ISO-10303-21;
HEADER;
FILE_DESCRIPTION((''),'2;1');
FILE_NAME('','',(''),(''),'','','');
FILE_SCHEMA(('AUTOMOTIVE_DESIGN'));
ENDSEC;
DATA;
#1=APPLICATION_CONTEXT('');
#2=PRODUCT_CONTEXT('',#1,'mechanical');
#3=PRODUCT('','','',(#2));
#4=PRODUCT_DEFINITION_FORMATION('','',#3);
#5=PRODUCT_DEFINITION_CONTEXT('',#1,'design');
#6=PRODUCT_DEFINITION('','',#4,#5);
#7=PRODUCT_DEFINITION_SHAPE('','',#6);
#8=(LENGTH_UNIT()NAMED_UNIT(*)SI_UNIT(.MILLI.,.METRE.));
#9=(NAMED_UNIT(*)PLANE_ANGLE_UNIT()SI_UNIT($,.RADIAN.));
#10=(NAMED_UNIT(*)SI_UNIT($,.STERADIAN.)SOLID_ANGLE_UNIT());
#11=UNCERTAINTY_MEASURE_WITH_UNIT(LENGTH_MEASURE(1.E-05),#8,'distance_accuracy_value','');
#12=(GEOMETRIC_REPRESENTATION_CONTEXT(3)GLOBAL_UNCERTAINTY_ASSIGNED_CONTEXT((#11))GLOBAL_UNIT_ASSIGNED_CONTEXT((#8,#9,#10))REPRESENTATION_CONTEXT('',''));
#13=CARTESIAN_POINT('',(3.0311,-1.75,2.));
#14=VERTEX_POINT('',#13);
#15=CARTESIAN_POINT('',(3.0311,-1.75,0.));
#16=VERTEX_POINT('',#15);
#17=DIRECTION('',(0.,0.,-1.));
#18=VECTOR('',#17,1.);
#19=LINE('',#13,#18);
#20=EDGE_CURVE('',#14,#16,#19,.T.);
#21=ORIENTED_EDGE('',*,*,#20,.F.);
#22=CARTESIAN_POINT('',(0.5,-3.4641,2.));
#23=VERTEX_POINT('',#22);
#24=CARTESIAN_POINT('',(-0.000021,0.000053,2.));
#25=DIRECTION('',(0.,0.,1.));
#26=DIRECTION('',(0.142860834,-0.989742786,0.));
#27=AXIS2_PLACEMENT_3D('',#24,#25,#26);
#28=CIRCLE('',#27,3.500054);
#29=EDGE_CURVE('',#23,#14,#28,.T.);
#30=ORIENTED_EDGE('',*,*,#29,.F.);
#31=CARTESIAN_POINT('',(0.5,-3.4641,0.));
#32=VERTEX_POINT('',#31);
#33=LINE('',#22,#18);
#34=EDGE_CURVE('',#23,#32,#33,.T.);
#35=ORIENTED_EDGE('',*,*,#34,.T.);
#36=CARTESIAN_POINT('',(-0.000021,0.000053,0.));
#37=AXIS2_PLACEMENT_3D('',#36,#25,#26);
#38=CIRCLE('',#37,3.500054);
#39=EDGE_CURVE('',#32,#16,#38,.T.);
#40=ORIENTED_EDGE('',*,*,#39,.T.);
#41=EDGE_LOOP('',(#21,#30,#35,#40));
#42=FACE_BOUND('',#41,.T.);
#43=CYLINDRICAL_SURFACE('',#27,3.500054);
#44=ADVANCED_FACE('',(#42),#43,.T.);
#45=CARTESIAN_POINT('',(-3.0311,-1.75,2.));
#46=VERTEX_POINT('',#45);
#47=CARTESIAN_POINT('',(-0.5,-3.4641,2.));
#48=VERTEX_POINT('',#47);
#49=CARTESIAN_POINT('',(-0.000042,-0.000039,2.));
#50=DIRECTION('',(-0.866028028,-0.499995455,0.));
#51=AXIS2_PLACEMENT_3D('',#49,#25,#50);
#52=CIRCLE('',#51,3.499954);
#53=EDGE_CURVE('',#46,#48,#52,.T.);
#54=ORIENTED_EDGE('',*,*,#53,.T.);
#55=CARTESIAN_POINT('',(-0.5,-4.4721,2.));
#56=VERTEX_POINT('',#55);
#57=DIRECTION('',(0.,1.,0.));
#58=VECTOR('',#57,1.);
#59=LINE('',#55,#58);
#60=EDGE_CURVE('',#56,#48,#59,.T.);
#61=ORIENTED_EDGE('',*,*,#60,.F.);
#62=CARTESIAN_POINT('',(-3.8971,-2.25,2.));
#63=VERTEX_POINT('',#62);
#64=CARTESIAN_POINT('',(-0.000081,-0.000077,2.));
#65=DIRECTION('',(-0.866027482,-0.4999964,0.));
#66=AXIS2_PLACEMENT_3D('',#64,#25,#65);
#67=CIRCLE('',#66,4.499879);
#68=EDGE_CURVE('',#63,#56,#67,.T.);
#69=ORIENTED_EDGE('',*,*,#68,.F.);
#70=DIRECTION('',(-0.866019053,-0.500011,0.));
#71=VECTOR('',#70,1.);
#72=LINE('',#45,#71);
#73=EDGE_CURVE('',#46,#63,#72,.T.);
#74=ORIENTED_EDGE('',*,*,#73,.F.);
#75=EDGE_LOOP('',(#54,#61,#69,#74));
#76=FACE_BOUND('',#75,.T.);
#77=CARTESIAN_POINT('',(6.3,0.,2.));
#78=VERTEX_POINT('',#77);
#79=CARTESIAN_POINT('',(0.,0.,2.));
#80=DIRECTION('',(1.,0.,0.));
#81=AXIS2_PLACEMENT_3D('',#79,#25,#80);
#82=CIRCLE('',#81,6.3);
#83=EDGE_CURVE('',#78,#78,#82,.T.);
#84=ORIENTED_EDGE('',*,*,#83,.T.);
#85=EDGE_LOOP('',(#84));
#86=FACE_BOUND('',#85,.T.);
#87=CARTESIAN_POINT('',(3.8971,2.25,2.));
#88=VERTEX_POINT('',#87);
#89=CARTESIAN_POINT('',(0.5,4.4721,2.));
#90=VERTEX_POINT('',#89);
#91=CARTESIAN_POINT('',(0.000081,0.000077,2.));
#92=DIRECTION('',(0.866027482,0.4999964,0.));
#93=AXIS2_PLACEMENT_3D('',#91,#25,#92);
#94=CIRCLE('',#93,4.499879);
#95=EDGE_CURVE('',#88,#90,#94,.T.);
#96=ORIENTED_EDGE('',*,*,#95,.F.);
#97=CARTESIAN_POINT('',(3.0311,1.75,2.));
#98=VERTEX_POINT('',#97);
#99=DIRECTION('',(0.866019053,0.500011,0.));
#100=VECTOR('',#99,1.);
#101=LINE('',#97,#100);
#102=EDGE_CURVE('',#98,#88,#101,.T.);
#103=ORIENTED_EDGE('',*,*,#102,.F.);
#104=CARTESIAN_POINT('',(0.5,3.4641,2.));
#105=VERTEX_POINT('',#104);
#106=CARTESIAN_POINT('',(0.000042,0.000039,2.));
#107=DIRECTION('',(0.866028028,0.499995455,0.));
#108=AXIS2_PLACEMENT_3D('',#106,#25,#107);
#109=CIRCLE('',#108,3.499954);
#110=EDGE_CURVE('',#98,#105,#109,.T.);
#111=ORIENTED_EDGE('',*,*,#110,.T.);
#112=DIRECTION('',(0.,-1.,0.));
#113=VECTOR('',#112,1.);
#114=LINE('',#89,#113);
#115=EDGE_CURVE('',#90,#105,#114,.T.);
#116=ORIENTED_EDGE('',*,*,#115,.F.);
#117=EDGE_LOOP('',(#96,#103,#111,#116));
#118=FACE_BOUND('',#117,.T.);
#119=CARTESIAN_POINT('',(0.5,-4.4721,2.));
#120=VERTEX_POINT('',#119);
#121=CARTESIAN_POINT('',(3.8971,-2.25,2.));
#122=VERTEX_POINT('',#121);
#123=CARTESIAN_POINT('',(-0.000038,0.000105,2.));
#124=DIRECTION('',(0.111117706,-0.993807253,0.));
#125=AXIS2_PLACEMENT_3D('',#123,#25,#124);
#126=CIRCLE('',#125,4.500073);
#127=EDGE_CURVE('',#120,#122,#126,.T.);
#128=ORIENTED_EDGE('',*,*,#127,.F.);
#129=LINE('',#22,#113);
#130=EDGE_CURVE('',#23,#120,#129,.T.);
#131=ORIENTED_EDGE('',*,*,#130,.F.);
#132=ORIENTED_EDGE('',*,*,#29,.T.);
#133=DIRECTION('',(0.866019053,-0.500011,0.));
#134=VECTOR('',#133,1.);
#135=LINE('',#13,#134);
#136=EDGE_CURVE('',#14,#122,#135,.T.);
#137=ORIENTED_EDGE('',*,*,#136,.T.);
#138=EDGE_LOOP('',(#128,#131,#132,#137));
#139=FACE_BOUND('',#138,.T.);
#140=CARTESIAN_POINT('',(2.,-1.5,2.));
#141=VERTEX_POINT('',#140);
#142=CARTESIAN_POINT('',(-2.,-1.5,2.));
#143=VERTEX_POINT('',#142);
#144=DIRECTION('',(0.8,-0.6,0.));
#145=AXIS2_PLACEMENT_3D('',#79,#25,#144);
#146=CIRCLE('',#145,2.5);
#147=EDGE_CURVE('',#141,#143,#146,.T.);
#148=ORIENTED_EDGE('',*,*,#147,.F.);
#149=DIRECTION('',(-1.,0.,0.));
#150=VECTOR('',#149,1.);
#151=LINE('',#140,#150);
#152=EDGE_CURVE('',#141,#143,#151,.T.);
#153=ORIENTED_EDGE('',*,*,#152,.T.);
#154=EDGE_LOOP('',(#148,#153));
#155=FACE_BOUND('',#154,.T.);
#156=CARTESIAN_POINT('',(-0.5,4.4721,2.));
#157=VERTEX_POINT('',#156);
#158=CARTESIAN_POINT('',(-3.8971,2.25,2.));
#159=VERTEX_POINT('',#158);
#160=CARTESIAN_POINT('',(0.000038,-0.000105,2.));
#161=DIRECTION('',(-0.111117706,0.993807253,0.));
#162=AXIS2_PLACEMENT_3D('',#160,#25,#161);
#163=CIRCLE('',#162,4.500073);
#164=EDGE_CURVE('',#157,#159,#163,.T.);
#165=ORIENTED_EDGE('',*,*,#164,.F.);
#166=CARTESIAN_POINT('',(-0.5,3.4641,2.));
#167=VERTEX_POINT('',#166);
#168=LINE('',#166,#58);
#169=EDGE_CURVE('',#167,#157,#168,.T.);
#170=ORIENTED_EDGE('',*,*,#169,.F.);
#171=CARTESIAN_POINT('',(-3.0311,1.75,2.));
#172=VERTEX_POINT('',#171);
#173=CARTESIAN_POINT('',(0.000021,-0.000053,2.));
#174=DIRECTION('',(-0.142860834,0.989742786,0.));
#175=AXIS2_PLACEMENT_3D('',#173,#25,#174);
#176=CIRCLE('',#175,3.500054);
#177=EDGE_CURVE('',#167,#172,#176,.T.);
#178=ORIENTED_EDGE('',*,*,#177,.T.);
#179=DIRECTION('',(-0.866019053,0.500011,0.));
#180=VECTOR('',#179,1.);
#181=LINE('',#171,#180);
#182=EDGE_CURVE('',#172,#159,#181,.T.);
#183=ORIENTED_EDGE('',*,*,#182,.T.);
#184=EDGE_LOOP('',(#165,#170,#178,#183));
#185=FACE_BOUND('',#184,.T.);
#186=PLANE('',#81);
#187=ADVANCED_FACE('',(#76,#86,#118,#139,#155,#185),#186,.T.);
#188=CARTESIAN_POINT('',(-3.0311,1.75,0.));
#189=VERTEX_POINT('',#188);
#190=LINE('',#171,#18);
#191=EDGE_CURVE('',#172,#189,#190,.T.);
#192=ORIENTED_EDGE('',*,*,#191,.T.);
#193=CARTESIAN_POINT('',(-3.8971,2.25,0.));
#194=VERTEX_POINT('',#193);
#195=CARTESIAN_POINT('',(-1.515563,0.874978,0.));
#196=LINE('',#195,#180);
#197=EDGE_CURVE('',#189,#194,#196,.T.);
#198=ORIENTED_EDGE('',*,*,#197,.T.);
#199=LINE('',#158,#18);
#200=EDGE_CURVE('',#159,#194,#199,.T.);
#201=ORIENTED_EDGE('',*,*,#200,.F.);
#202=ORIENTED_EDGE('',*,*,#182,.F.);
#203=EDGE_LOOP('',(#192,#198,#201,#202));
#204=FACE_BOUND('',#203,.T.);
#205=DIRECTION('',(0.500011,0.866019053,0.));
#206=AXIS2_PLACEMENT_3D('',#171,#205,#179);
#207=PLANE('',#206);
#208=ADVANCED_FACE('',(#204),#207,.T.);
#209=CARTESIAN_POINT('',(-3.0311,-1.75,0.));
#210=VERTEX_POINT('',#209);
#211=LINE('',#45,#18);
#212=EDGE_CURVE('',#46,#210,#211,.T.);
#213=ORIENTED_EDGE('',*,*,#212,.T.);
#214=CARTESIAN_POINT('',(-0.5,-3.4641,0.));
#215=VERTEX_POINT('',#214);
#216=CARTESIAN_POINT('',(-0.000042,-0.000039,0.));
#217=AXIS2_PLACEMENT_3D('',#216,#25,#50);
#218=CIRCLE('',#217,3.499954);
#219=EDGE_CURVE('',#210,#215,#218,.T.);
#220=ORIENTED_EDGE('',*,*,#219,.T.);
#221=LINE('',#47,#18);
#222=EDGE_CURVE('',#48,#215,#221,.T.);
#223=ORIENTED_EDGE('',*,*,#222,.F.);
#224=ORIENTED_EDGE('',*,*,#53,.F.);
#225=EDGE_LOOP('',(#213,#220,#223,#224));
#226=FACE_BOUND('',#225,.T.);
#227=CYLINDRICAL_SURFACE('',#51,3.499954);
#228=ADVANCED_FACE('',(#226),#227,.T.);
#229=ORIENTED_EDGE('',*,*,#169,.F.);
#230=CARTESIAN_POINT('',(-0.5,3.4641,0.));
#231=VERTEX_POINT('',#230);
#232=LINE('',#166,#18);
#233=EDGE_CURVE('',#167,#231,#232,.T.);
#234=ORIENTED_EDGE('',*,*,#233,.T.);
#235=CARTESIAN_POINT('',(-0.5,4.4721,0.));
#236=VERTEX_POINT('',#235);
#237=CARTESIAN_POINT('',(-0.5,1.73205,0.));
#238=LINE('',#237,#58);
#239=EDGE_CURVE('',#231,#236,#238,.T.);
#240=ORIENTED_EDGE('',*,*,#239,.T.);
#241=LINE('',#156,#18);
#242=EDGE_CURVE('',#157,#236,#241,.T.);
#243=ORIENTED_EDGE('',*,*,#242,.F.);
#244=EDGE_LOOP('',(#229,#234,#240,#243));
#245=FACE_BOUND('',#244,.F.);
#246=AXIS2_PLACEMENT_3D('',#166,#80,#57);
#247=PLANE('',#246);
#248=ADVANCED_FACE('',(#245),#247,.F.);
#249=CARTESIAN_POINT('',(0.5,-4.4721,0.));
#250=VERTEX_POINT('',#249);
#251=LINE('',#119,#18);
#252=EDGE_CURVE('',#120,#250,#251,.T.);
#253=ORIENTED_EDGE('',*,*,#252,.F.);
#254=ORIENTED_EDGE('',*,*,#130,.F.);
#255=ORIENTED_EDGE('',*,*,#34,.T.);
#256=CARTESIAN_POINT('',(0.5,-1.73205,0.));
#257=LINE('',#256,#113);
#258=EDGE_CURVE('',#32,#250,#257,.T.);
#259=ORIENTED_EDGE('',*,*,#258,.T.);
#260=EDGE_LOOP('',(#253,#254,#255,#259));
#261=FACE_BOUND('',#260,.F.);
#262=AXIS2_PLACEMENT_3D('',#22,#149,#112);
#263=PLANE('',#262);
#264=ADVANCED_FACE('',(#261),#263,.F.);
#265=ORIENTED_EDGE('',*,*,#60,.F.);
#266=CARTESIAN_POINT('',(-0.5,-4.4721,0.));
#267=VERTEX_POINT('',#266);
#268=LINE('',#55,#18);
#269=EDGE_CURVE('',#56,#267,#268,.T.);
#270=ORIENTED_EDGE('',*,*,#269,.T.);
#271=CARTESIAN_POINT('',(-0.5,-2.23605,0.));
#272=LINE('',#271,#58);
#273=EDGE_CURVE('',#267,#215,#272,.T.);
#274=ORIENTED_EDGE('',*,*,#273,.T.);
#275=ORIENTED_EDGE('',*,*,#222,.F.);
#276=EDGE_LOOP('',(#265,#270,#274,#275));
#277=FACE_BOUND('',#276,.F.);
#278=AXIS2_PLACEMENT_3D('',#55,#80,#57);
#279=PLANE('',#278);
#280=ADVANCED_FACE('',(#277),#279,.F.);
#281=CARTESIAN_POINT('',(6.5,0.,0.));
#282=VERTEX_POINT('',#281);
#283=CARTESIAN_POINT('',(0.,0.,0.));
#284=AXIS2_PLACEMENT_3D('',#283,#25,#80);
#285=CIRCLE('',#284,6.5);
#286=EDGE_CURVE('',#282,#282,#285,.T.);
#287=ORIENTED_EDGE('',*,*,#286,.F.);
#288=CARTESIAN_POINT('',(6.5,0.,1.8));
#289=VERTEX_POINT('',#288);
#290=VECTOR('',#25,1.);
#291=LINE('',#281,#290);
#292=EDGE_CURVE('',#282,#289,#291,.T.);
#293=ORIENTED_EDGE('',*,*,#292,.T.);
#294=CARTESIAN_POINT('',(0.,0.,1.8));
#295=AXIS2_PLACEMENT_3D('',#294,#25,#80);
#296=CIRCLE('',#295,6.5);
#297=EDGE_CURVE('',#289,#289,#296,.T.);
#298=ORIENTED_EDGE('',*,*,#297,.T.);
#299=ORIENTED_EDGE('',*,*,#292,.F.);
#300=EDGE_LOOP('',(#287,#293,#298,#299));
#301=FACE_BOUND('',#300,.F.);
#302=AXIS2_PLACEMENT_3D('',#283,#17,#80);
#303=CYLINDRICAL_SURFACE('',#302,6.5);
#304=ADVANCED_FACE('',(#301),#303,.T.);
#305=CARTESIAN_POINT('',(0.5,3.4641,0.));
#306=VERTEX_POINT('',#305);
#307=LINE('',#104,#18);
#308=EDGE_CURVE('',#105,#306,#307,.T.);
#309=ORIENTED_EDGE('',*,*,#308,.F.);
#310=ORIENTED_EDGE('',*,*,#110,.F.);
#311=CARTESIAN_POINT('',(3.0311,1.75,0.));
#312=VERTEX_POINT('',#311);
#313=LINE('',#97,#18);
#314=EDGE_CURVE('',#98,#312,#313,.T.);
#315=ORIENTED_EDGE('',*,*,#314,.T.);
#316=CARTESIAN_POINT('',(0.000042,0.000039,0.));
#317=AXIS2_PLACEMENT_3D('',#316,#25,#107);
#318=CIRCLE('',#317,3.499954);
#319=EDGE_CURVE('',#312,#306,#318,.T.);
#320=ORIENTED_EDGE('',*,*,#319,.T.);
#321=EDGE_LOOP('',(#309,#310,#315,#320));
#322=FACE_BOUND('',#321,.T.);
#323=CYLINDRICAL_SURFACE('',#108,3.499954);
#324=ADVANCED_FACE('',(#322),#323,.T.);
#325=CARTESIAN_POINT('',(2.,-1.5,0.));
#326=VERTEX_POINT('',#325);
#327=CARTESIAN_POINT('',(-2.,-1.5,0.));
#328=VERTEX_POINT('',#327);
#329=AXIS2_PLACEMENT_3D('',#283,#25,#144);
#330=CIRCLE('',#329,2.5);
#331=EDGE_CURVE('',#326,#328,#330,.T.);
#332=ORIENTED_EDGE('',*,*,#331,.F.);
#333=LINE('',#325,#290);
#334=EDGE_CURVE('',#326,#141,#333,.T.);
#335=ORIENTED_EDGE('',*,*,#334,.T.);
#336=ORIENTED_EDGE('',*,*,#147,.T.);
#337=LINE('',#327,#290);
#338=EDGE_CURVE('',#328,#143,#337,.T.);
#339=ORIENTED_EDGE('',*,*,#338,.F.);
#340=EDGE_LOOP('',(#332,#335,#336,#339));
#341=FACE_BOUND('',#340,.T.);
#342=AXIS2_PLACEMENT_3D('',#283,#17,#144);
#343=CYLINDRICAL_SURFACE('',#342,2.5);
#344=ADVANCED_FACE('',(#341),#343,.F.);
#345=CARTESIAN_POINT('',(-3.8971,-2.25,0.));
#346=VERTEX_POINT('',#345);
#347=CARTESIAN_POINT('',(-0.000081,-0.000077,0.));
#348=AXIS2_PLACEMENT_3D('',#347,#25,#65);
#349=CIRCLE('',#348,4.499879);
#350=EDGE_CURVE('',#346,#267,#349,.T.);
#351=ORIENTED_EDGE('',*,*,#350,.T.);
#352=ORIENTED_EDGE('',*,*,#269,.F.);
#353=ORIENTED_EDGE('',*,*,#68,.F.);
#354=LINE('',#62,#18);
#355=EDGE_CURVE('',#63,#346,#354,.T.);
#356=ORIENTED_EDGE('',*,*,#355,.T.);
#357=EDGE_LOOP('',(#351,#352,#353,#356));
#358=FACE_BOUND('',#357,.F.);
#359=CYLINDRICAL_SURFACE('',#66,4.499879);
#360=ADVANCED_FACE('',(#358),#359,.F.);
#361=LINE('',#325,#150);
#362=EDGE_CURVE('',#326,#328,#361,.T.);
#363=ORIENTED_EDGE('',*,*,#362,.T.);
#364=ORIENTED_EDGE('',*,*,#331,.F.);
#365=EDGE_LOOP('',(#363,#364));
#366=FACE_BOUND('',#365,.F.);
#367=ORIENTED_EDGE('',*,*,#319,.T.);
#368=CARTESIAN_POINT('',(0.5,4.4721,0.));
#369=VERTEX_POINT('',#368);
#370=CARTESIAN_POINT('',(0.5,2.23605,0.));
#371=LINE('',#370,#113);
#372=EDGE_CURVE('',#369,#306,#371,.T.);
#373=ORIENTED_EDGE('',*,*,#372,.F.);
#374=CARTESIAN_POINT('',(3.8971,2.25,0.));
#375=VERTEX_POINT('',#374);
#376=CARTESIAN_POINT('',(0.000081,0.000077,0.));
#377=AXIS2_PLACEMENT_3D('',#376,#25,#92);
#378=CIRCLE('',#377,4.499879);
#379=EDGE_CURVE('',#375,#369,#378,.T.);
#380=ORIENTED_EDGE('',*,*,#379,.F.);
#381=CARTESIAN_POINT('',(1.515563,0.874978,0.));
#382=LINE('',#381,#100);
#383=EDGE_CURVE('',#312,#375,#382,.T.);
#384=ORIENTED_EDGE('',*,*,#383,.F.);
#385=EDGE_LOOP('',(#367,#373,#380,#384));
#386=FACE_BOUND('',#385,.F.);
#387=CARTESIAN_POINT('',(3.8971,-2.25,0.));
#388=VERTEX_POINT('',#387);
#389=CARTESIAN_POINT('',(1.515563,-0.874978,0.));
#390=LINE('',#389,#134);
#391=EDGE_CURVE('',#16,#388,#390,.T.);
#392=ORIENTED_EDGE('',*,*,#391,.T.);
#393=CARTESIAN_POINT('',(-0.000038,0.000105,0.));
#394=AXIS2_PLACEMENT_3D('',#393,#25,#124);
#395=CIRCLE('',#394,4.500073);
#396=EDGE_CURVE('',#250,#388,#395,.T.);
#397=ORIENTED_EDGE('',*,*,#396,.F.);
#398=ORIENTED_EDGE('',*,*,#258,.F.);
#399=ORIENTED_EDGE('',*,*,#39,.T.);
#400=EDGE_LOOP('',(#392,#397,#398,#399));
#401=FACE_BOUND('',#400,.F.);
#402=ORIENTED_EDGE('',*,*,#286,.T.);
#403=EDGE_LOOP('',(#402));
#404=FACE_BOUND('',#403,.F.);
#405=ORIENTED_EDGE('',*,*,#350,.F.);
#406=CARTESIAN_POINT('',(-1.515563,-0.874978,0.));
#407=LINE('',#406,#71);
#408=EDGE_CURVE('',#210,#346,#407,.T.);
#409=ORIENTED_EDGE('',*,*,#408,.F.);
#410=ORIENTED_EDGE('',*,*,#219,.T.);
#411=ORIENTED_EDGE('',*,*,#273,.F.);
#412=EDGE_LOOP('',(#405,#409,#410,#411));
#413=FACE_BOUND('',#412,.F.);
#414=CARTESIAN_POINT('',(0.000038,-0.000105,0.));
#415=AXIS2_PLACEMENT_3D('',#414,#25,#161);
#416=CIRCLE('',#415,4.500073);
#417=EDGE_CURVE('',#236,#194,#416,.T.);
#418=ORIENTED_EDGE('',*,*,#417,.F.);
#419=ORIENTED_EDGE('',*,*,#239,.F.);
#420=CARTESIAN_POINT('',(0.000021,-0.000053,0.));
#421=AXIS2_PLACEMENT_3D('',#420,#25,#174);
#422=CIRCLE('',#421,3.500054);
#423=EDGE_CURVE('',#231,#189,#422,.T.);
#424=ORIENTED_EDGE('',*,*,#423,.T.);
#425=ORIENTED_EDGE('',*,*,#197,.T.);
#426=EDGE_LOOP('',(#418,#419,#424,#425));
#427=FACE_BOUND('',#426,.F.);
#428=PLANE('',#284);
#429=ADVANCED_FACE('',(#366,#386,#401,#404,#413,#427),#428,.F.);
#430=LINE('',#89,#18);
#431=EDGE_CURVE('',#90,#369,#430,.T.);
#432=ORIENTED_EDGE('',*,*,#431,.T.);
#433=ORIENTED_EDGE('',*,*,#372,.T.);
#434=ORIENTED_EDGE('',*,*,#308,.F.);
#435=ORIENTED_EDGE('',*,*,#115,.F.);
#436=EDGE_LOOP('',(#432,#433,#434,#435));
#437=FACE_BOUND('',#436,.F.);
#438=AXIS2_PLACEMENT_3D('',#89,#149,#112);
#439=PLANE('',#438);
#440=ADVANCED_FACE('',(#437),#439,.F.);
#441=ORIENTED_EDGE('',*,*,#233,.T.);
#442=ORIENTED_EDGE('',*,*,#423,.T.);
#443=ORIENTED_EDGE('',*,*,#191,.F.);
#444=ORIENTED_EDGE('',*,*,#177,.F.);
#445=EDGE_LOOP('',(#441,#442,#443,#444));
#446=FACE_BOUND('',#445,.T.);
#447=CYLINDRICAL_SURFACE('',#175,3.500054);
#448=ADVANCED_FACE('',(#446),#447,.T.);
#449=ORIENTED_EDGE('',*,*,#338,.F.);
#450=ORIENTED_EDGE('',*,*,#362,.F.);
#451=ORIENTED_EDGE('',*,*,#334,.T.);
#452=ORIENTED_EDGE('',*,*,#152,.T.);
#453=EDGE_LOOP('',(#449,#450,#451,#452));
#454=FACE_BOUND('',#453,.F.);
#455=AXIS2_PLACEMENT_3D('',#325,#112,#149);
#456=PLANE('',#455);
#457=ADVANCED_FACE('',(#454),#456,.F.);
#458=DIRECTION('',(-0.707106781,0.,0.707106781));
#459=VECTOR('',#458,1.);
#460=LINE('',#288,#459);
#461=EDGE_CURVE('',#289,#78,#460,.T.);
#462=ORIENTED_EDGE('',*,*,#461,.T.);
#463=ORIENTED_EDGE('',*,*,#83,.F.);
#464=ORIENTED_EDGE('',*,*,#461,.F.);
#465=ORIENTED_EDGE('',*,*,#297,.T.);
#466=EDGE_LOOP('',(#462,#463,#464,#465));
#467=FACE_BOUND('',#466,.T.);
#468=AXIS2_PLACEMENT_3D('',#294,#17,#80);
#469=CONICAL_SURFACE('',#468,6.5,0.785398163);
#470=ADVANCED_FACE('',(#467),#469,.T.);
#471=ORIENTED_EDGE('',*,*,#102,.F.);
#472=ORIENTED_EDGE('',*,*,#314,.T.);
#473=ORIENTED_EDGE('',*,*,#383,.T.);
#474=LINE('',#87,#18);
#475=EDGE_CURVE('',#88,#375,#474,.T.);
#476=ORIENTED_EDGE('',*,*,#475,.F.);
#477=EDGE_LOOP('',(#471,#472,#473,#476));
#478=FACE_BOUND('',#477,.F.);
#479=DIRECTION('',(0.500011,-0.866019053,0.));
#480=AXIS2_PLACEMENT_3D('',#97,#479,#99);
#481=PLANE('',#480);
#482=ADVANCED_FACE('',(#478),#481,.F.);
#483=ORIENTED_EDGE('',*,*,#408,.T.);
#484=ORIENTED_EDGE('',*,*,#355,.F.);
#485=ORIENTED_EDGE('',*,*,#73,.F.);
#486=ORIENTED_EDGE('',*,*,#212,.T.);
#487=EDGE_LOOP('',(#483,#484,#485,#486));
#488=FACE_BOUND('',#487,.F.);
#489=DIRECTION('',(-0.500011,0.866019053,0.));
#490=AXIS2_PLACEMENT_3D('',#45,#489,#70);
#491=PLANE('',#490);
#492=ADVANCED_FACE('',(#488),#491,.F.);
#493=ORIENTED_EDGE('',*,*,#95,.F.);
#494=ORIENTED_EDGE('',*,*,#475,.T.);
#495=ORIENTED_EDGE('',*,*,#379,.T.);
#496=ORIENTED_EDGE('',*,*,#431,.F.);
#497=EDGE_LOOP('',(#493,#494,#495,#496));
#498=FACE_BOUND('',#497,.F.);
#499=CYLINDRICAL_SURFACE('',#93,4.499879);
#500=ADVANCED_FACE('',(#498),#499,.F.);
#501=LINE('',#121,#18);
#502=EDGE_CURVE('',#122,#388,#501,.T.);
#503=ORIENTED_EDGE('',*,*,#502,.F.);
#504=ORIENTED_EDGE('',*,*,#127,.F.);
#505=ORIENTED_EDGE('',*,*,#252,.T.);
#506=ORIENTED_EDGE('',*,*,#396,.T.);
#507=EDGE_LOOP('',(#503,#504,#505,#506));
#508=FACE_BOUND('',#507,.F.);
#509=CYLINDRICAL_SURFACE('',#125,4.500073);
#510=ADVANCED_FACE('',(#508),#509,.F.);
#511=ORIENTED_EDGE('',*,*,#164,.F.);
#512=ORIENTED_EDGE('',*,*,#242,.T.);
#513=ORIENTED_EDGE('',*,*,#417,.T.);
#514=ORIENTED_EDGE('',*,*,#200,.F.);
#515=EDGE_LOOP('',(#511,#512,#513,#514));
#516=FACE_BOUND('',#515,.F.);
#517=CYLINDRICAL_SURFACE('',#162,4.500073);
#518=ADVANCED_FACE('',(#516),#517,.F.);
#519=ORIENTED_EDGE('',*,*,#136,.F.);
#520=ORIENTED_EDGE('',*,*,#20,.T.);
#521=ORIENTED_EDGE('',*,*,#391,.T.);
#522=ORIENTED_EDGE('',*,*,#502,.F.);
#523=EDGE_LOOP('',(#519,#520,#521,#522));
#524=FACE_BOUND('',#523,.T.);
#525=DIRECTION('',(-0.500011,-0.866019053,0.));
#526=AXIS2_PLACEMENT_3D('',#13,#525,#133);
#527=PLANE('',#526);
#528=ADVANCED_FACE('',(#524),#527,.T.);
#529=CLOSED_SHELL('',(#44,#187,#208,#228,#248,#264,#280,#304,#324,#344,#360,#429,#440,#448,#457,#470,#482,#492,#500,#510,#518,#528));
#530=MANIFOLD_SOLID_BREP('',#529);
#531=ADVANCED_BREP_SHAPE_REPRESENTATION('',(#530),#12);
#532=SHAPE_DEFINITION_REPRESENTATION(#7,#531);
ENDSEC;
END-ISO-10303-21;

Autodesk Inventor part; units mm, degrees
ref_plane "YZ Plane" through (0, 0, 0) normal (1, 0, 0) x (0, 1, 0)
ref_plane "XZ Plane" through (0, 0, 0) normal (0, 1, 0) x (-1, 0, 0)
ref_plane "XY Plane" through (0, 0, 0) normal (0, 0, 1) x (1, 0, 0)
sketch "スケッチ1" plane through (0, 0, 0) normal (0, 0, 1) x (1, 0, 0)
  circle A0 centre (0, 0) radius 6.5
  arc A1 (2, -1.5) -> (-2, -1.5) centre (0, 0) ccw
  line L0 (2, -1.5) -> (-2, -1.5)
  arc A2 (-2, -1.5) -> (2, -1.5) centre (0, 0) ccw
  dimension "d0" = 13
  dimension "d1" = 5
  dimension "d2" = 4
extrude "押し出し1" add sketch "スケッチ1" along normal blind 2 contours A0 | A2 L0
sketch "スケッチ2" plane through (0, 0, 2) normal (0, 0, 1) x (1, 0, 0)
  circle A0 centre (0, 0) radius 6.5 projected
  line L0 (0.5, -6.5) -> (0, -6.5)
  line L1 (0, -6.5) -> (-0.5, -6.5)
  arc A1 (2, -1.5) -> (-2, -1.5) centre (0, 0) ccw projected
  arc A2 (3.8971, 2.25) -> (0.5, 4.4721) centre (0, 0) ccw
  arc A3 (3.0311, 1.75) -> (0.5, 3.4641) centre (0, 0) ccw
  arc A4 (-0.5, 4.4721) -> (-3.8971, 2.25) centre (0, 0) ccw
  arc A5 (-0.5, 3.4641) -> (-3.0311, 1.75) centre (0, 0) ccw
  arc A6 (0.5, -3.4641) -> (3.0311, -1.75) centre (0, 0) ccw
  arc A7 (-3.0311, -1.75) -> (-0.5, -3.4641) centre (0, 0) ccw
  arc A8 (-3.8971, -2.25) -> (-0.5, -4.4721) centre (0, 0) ccw
  arc A9 (0.5, -4.4721) -> (3.8971, -2.25) centre (0, 0) ccw
  line L2 (-3.0311, 1.75) -> (-3.8971, 2.25)
  line L3 (-0.5, 3.4641) -> (-0.5, 4.4721)
  line L4 (0.5, 4.4721) -> (0.5, 3.4641)
  line L5 (3.0311, 1.75) -> (3.8971, 2.25)
  line L6 (-3.0311, -1.75) -> (-3.8971, -2.25)
  line L7 (3.0311, -1.75) -> (3.8971, -2.25)
  line L8 (-0.5, -4.4721) -> (-0.5, -3.4641)
  line L9 (0.5, -3.4641) -> (0.5, -4.4721)
extrude "押し出し2" cut sketch "スケッチ2" against normal through all contours L5 A3 L4 A2 | L3 A5 L2 A4 | A6 L7 A9 L9 | A7 L8 A8 L6
chamfer "面取り1" distance 0.2 angle 45 1 edges at (-6.5, 0, 2)
properties part number "SLIPRING_SRG-1-6G_シャフト"
